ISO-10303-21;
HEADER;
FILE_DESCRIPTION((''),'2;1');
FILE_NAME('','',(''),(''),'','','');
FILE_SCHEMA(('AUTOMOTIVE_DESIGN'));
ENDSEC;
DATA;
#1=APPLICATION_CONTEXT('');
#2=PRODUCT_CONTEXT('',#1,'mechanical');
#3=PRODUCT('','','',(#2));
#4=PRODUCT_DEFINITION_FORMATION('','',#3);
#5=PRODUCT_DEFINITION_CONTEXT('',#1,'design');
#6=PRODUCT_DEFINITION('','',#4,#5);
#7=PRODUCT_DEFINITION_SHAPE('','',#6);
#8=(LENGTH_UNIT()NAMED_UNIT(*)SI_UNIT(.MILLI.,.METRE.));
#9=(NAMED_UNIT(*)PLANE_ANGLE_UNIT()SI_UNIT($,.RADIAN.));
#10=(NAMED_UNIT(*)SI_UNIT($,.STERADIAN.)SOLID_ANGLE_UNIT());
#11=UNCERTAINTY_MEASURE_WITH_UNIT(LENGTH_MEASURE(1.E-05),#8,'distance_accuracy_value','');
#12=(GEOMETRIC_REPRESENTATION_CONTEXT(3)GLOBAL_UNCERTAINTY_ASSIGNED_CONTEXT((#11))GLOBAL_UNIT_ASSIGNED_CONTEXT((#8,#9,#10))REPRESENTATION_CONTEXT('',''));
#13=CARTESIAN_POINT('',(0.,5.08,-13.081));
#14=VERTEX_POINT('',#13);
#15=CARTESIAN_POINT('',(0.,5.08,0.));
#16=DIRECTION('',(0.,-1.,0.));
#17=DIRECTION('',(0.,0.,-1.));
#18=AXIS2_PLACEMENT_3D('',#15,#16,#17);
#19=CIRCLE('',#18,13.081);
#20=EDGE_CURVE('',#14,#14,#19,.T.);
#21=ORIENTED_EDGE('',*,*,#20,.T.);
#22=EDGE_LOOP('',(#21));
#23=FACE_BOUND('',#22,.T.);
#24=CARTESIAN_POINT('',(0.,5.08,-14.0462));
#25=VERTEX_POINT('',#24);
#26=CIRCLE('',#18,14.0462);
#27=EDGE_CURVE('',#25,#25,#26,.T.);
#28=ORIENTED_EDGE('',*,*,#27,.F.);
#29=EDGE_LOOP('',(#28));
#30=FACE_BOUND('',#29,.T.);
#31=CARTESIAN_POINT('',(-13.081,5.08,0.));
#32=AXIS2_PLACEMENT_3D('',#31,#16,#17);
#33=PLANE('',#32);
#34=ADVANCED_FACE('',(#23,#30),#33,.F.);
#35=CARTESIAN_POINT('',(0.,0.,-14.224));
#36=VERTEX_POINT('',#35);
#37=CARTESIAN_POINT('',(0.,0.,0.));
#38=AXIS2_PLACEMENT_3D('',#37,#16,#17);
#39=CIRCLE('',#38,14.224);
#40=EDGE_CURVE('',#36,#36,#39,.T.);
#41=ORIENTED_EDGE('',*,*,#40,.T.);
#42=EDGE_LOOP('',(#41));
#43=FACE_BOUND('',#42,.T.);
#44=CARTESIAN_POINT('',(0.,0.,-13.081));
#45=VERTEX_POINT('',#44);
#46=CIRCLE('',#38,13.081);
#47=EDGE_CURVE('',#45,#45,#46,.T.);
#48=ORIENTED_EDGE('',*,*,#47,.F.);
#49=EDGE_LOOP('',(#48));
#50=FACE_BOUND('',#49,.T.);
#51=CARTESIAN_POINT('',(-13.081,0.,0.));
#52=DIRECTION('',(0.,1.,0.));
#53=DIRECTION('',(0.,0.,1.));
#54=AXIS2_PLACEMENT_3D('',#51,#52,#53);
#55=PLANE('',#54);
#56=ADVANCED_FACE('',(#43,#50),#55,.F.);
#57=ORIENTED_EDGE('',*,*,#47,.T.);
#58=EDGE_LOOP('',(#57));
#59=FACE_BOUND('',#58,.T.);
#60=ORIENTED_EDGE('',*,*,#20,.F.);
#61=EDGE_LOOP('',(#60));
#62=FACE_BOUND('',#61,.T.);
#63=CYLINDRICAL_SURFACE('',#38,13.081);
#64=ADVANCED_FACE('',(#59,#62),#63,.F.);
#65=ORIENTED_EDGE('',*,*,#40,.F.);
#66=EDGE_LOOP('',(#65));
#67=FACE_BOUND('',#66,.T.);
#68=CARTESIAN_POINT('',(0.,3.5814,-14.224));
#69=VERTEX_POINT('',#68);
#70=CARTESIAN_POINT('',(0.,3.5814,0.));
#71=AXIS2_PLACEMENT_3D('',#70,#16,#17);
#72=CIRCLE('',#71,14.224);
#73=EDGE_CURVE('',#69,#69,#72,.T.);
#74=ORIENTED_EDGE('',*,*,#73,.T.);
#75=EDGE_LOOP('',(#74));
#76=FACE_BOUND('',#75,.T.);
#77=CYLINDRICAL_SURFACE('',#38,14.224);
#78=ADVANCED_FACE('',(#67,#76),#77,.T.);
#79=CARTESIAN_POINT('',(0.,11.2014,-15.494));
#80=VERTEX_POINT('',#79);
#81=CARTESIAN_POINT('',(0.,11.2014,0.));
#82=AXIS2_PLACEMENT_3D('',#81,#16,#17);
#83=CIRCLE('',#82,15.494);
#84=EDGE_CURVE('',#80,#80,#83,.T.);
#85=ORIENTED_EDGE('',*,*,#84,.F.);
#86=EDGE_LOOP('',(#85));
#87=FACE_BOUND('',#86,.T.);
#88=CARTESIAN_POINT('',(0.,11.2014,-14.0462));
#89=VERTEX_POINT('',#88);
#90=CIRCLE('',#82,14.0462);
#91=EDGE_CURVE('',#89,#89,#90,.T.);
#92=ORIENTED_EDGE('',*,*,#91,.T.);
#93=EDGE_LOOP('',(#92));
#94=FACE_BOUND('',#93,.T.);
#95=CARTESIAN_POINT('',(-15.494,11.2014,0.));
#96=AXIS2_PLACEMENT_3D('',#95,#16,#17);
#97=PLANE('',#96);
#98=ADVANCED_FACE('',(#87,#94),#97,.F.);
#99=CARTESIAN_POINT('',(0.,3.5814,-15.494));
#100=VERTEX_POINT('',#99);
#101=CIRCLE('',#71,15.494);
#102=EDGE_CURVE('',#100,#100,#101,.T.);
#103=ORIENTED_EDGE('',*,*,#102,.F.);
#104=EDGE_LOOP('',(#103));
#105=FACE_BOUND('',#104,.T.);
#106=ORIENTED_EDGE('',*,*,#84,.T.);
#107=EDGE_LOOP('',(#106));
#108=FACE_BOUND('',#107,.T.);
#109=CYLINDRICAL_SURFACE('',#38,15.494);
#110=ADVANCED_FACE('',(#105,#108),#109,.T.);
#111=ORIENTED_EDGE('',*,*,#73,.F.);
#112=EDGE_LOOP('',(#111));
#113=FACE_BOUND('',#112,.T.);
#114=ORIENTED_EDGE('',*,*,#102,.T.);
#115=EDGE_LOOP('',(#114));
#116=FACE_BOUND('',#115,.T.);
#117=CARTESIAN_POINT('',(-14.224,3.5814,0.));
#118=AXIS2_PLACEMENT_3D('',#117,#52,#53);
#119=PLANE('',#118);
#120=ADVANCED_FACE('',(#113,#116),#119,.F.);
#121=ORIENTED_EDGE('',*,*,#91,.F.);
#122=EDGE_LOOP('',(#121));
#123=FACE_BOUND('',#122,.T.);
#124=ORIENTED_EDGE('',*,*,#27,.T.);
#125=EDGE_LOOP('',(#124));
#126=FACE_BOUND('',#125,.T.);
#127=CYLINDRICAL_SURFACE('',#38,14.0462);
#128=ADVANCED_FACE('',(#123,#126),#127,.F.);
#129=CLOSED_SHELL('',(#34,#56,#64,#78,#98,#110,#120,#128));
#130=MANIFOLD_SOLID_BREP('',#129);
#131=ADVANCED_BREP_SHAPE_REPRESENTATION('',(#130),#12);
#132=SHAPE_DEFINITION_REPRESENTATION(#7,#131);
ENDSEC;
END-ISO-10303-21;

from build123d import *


with BuildPart() as part:
    # Sketch1 → Revolve1 (revolve)
    with BuildSketch(Plane.XY, mode=Mode.PRIVATE) as revolve1_sk:
        Polygon((-13.081, 0), (-14.224, 0), (-14.224, 3.5814), (-15.494, 3.5814), (-15.494, 11.2014), (-14.0462, 11.2014), (-14.0462, 5.08), (-13.081, 5.08), align=None)
    revolve(revolve1_sk.sketch.rotate(Axis((0, 0, 0), (0, 1, 0)), 270), axis=Axis((0, 0, 0), (0, 1, 0)))


solid = part.part
